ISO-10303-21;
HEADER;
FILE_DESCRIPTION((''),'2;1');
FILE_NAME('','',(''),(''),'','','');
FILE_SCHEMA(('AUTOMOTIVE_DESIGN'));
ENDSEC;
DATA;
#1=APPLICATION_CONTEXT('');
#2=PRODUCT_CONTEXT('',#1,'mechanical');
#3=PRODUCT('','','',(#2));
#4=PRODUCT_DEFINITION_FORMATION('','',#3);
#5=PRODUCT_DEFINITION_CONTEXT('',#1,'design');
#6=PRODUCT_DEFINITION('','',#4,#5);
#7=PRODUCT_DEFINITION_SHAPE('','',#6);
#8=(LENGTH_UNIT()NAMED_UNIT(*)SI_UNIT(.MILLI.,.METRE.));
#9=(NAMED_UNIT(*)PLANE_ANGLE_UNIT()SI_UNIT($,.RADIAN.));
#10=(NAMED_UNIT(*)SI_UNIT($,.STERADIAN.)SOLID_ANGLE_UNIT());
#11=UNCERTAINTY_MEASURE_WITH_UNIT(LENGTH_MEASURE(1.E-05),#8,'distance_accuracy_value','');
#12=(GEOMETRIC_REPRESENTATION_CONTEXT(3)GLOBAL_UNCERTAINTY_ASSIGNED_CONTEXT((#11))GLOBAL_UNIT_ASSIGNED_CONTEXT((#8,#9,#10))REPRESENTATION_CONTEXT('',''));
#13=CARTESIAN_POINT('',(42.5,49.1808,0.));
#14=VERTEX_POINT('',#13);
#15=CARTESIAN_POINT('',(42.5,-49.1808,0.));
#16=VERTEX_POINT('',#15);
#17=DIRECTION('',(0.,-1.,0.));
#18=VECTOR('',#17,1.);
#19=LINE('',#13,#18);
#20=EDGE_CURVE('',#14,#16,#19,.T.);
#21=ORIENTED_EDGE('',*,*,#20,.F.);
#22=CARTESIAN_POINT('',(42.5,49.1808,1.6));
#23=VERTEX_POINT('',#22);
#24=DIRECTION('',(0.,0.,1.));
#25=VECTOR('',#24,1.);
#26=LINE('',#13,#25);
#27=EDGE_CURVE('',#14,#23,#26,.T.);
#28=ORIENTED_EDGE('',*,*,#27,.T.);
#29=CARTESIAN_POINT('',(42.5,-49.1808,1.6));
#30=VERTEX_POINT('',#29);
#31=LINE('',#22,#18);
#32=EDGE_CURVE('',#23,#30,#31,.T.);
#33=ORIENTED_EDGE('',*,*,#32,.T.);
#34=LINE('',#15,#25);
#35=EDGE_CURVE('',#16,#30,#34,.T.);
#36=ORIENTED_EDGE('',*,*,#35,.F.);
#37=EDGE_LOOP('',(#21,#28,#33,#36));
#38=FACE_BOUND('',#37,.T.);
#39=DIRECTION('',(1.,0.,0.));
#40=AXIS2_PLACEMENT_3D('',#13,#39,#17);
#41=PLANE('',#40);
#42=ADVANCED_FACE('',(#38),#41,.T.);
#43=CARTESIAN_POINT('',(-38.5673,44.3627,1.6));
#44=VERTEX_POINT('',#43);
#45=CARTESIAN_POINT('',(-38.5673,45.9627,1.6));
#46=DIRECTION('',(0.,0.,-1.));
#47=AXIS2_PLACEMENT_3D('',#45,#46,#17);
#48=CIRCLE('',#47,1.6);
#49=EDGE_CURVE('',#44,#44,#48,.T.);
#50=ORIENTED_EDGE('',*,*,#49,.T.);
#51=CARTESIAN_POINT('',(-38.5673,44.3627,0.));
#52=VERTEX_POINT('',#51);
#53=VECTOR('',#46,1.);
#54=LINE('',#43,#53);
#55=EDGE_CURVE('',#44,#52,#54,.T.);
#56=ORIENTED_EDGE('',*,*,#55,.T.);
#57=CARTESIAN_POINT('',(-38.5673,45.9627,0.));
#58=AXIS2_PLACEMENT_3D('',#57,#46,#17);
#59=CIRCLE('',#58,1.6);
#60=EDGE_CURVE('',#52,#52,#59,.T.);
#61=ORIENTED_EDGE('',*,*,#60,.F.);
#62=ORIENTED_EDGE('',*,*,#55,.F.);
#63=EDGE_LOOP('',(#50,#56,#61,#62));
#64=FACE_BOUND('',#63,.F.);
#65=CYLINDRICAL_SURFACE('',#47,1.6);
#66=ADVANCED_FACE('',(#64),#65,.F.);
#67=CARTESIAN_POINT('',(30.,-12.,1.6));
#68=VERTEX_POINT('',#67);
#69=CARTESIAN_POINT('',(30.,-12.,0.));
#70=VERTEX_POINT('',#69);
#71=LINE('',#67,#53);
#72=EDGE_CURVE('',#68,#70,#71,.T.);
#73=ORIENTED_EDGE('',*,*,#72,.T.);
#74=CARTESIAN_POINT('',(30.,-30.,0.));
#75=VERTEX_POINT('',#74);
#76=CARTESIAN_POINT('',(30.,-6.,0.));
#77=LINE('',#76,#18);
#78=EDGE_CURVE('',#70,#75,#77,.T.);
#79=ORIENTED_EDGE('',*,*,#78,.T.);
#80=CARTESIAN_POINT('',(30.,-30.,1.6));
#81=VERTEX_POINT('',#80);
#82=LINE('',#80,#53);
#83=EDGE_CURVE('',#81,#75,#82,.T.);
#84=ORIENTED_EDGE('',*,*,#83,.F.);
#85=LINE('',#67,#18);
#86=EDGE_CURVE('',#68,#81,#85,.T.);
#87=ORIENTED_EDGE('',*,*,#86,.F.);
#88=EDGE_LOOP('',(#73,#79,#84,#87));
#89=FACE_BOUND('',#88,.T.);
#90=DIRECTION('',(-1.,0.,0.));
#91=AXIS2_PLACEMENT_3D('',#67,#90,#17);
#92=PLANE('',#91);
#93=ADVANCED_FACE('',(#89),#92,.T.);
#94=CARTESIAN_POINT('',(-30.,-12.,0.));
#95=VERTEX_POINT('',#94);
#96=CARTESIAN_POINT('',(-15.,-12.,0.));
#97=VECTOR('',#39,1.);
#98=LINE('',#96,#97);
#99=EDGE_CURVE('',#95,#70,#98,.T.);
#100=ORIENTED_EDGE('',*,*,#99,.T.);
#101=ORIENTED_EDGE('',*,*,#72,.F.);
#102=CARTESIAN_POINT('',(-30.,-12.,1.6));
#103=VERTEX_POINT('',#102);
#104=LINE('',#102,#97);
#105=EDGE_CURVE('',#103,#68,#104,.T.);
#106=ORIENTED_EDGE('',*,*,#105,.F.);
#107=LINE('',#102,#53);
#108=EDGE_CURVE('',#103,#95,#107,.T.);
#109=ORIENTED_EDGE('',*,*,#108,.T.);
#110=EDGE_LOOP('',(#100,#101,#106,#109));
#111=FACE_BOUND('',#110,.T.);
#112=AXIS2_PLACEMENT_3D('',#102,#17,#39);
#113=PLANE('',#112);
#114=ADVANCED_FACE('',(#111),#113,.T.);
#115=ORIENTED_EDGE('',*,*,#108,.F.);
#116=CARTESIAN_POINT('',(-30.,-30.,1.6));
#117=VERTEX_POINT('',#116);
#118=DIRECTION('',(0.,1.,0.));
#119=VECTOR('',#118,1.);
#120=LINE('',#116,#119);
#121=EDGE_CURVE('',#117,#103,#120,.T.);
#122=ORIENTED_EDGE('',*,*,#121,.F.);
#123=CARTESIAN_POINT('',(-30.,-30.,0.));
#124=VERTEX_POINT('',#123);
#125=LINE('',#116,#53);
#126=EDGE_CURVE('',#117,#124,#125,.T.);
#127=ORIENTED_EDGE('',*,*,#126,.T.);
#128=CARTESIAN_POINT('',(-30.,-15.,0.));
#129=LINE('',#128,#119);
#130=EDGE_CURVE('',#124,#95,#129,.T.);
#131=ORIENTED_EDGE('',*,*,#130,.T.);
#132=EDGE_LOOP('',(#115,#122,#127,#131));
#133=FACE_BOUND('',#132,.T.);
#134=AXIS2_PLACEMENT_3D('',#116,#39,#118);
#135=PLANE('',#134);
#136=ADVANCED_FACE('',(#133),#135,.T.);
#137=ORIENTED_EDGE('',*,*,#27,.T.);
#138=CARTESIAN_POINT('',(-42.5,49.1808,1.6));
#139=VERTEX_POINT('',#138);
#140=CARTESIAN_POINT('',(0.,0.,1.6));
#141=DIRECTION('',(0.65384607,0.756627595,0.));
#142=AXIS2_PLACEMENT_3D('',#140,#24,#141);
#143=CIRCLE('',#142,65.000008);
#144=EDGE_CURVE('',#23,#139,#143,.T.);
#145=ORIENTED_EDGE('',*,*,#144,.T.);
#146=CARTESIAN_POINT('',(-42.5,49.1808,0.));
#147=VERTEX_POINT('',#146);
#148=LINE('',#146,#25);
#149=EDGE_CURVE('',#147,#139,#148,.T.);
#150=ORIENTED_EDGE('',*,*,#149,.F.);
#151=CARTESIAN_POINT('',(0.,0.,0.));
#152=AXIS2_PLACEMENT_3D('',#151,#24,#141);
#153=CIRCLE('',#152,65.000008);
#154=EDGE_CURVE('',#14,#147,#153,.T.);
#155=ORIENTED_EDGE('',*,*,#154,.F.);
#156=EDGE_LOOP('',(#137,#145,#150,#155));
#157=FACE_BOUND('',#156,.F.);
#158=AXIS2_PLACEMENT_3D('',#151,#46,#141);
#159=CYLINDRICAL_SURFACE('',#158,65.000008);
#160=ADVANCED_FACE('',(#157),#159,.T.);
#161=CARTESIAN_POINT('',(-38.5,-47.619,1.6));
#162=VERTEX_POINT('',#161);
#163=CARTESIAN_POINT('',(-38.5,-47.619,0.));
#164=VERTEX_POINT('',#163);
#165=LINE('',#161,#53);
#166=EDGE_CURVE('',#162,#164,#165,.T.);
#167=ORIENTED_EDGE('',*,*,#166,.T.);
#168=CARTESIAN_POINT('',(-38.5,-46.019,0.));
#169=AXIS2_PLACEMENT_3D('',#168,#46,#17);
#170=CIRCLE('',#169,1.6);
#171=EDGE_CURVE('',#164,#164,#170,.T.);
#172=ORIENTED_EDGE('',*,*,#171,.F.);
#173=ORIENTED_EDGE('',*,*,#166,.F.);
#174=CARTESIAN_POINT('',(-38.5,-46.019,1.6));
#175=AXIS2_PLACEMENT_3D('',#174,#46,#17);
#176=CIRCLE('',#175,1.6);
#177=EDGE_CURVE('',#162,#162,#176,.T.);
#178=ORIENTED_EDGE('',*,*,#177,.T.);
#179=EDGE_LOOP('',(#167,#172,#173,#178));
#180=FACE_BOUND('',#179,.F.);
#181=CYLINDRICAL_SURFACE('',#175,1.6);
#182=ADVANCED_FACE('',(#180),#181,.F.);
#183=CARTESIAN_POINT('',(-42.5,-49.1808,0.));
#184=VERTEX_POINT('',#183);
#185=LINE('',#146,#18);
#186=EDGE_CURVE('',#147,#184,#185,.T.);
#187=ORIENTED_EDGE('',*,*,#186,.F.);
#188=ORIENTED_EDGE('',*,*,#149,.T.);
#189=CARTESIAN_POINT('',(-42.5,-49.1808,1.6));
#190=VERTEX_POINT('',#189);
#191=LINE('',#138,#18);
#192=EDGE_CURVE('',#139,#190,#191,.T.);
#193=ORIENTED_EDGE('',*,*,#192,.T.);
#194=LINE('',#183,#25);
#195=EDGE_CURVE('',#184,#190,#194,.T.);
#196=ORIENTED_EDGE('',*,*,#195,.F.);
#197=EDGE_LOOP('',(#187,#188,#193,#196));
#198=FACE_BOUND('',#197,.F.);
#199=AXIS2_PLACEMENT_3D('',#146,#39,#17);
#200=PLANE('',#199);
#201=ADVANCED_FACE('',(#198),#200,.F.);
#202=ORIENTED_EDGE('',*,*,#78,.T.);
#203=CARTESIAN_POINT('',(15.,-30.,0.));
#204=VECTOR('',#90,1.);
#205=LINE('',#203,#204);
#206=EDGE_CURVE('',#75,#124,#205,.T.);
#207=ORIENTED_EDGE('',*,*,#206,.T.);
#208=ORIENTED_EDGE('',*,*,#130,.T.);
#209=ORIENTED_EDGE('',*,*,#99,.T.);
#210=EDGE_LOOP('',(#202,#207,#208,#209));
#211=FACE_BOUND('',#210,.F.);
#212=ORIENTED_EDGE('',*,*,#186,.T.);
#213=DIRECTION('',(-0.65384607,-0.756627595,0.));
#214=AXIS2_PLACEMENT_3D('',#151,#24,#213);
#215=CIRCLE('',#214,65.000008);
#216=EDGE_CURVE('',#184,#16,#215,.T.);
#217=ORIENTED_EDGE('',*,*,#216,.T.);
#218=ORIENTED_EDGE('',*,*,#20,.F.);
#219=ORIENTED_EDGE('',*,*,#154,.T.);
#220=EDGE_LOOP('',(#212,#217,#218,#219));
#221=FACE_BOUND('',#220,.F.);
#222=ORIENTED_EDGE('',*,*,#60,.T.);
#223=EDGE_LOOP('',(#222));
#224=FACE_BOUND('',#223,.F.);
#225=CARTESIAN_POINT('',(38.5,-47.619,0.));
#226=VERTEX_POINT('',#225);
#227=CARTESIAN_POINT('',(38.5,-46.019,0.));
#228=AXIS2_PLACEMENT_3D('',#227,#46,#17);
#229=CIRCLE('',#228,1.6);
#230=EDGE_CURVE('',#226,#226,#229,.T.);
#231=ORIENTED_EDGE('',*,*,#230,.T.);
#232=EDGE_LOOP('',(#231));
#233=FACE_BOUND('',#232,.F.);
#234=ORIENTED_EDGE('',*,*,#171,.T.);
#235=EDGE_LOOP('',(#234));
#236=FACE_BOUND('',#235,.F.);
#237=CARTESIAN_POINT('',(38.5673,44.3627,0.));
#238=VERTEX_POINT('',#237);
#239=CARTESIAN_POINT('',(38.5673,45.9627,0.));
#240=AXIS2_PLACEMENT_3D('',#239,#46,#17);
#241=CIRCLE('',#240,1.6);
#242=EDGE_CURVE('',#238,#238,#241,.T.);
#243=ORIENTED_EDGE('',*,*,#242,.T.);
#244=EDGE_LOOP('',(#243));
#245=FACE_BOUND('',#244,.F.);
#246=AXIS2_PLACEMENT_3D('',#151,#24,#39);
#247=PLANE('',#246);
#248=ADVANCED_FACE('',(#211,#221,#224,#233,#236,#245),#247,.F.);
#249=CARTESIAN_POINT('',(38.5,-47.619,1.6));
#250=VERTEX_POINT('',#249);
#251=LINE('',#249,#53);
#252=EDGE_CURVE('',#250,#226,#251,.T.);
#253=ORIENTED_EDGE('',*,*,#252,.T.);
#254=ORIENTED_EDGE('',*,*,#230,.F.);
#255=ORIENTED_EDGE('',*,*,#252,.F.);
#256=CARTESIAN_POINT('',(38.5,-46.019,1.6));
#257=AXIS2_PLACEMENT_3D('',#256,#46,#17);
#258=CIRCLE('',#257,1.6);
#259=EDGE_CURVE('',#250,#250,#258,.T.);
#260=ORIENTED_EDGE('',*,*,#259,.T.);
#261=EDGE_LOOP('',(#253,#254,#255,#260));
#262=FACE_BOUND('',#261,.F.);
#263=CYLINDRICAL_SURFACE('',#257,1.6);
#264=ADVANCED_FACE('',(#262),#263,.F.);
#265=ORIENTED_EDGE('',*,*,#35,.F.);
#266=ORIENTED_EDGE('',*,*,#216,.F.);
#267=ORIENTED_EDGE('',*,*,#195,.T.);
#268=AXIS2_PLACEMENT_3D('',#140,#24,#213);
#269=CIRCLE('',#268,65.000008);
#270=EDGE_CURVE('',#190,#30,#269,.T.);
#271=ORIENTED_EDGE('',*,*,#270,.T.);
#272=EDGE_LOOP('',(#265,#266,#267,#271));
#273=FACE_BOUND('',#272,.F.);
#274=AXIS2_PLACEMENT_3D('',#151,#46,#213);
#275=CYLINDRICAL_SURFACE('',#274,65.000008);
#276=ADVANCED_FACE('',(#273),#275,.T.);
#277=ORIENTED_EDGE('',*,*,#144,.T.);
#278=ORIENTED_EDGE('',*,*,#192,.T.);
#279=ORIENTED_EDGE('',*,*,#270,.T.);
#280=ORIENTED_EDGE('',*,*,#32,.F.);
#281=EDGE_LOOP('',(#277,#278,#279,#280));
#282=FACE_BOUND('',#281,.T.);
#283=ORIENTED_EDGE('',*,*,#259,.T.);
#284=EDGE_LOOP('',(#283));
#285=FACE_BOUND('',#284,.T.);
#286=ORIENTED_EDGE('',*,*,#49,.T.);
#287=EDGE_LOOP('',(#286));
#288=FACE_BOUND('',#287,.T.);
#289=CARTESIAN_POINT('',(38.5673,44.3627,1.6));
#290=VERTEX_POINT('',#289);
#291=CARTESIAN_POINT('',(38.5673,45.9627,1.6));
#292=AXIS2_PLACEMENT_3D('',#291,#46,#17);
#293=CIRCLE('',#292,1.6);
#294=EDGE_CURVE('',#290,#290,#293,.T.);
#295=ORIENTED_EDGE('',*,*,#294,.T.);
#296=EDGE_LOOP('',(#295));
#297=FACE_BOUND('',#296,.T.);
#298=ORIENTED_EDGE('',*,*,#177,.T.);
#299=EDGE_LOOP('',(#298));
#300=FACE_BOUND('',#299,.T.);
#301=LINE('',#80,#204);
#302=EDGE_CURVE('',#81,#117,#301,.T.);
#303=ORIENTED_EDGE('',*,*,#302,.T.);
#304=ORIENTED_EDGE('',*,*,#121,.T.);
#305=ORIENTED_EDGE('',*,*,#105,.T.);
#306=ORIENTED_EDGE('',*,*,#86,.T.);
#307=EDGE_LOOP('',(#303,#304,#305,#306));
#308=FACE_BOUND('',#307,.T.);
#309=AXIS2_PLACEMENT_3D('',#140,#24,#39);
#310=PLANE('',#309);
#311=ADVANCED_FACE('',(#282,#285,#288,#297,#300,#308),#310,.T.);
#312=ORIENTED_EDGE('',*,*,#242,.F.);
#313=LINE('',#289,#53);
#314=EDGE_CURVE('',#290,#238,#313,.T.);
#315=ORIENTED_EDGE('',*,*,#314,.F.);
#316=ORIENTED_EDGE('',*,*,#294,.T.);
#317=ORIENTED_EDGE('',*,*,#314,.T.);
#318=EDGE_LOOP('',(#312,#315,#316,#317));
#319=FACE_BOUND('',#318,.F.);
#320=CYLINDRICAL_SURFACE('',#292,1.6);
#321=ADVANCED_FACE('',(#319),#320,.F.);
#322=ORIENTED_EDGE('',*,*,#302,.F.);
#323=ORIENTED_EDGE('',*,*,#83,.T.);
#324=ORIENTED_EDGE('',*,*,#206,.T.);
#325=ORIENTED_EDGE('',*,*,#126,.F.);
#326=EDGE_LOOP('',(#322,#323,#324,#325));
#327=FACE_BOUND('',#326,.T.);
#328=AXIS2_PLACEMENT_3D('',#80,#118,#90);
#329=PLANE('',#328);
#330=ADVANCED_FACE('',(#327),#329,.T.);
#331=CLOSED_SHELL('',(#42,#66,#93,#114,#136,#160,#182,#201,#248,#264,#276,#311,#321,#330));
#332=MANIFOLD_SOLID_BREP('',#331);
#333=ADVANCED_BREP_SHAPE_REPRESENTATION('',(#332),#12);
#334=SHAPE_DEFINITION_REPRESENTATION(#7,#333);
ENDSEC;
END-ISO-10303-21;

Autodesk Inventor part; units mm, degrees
ref_plane "YZ Plane" through (0, 0, 0) normal (1, 0, 0) x (0, 1, 0)
ref_plane "XZ Plane" through (0, 0, 0) normal (0, 1, 0) x (-1, 0, 0)
ref_plane "XY Plane" through (0, 0, 0) normal (0, 0, 1) x (1, 0, 0)
sketch "スケッチ1" plane through (0, 0, 0) normal (0, 0, 1) x (1, 0, 0)
  circle A0 centre (0, 0) radius 65 construction
  line L0 (-42.5, 65) -> (42.5, 65) construction
  line L1 (42.5, 65) -> (42.5, -65) construction
  line L2 (42.5, -65) -> (-42.5, -65) construction
  line L3 (-42.5, -65) -> (-42.5, 65) construction
  arc A1 (42.5, 49.1808) -> (-42.5, 49.1808) centre (0, 0) ccw
  line L4 (-42.5, 49.1808) -> (-42.5, -49.1808)
  line L5 (42.5, 49.1808) -> (42.5, -49.1808)
  arc A2 (-42.5, -49.1808) -> (42.5, -49.1808) centre (0, 0) ccw
  point P0 (0, 65)
  dimension "d0" = 130
  dimension "d1" = 85
extrude "基板" add sketch "スケッチ1" along normal blind 1.6
sketch "スケッチ4" plane through (0, 0, 1.6) normal (0, 0, 1) x (1, 0, 0)
  line L0 (0, -55.1622) -> (0, 55.1622) construction
  line L1 (42.5, -49.1808) -> (42.5, 49.1808) construction
  circle A0 centre (0, 0) radius 60 construction
  line L2 (0, 0) -> (36.3616, 43.334) construction
  line L3 (0, 0) -> (56.5685, 0) construction
  point P0 (38.5, -46.019)
  point P1 (-38.5, -46.019)
  point P2 (38.5673, 45.9627)
  point P3 (-38.5673, 45.9627)
  dimension "d27" = 4
  dimension "d29" = 120
  dimension "d30" = 50
hole "スペーサ取付穴" at (38.5, -46.019, 1.6) at (-38.5, -46.019, 1.6) at (38.5673, 45.9627, 1.6) at (-38.5673, 45.9627, 1.6) direction (0, 0, -1) diameter 3.2 end through all
sketch "スケッチ5" plane through (0, 0, 1.6) normal (0, 0, 1) x (1, 0, 0)
  line L0 (-30, -12) -> (30, -12)
  line L1 (30, -12) -> (30, -30)
  line L2 (30, -30) -> (-30, -30)
  line L3 (-30, -30) -> (-30, -12)
  point P0 (0, 0)
  point P1 (0, -12)
  dimension "d38" = 60
  dimension "d39" = 18
  dimension "d40" = 12
extrude "バッテリー通し穴" cut sketch "スケッチ5" against normal through all
properties part number "BaseBoard2"
